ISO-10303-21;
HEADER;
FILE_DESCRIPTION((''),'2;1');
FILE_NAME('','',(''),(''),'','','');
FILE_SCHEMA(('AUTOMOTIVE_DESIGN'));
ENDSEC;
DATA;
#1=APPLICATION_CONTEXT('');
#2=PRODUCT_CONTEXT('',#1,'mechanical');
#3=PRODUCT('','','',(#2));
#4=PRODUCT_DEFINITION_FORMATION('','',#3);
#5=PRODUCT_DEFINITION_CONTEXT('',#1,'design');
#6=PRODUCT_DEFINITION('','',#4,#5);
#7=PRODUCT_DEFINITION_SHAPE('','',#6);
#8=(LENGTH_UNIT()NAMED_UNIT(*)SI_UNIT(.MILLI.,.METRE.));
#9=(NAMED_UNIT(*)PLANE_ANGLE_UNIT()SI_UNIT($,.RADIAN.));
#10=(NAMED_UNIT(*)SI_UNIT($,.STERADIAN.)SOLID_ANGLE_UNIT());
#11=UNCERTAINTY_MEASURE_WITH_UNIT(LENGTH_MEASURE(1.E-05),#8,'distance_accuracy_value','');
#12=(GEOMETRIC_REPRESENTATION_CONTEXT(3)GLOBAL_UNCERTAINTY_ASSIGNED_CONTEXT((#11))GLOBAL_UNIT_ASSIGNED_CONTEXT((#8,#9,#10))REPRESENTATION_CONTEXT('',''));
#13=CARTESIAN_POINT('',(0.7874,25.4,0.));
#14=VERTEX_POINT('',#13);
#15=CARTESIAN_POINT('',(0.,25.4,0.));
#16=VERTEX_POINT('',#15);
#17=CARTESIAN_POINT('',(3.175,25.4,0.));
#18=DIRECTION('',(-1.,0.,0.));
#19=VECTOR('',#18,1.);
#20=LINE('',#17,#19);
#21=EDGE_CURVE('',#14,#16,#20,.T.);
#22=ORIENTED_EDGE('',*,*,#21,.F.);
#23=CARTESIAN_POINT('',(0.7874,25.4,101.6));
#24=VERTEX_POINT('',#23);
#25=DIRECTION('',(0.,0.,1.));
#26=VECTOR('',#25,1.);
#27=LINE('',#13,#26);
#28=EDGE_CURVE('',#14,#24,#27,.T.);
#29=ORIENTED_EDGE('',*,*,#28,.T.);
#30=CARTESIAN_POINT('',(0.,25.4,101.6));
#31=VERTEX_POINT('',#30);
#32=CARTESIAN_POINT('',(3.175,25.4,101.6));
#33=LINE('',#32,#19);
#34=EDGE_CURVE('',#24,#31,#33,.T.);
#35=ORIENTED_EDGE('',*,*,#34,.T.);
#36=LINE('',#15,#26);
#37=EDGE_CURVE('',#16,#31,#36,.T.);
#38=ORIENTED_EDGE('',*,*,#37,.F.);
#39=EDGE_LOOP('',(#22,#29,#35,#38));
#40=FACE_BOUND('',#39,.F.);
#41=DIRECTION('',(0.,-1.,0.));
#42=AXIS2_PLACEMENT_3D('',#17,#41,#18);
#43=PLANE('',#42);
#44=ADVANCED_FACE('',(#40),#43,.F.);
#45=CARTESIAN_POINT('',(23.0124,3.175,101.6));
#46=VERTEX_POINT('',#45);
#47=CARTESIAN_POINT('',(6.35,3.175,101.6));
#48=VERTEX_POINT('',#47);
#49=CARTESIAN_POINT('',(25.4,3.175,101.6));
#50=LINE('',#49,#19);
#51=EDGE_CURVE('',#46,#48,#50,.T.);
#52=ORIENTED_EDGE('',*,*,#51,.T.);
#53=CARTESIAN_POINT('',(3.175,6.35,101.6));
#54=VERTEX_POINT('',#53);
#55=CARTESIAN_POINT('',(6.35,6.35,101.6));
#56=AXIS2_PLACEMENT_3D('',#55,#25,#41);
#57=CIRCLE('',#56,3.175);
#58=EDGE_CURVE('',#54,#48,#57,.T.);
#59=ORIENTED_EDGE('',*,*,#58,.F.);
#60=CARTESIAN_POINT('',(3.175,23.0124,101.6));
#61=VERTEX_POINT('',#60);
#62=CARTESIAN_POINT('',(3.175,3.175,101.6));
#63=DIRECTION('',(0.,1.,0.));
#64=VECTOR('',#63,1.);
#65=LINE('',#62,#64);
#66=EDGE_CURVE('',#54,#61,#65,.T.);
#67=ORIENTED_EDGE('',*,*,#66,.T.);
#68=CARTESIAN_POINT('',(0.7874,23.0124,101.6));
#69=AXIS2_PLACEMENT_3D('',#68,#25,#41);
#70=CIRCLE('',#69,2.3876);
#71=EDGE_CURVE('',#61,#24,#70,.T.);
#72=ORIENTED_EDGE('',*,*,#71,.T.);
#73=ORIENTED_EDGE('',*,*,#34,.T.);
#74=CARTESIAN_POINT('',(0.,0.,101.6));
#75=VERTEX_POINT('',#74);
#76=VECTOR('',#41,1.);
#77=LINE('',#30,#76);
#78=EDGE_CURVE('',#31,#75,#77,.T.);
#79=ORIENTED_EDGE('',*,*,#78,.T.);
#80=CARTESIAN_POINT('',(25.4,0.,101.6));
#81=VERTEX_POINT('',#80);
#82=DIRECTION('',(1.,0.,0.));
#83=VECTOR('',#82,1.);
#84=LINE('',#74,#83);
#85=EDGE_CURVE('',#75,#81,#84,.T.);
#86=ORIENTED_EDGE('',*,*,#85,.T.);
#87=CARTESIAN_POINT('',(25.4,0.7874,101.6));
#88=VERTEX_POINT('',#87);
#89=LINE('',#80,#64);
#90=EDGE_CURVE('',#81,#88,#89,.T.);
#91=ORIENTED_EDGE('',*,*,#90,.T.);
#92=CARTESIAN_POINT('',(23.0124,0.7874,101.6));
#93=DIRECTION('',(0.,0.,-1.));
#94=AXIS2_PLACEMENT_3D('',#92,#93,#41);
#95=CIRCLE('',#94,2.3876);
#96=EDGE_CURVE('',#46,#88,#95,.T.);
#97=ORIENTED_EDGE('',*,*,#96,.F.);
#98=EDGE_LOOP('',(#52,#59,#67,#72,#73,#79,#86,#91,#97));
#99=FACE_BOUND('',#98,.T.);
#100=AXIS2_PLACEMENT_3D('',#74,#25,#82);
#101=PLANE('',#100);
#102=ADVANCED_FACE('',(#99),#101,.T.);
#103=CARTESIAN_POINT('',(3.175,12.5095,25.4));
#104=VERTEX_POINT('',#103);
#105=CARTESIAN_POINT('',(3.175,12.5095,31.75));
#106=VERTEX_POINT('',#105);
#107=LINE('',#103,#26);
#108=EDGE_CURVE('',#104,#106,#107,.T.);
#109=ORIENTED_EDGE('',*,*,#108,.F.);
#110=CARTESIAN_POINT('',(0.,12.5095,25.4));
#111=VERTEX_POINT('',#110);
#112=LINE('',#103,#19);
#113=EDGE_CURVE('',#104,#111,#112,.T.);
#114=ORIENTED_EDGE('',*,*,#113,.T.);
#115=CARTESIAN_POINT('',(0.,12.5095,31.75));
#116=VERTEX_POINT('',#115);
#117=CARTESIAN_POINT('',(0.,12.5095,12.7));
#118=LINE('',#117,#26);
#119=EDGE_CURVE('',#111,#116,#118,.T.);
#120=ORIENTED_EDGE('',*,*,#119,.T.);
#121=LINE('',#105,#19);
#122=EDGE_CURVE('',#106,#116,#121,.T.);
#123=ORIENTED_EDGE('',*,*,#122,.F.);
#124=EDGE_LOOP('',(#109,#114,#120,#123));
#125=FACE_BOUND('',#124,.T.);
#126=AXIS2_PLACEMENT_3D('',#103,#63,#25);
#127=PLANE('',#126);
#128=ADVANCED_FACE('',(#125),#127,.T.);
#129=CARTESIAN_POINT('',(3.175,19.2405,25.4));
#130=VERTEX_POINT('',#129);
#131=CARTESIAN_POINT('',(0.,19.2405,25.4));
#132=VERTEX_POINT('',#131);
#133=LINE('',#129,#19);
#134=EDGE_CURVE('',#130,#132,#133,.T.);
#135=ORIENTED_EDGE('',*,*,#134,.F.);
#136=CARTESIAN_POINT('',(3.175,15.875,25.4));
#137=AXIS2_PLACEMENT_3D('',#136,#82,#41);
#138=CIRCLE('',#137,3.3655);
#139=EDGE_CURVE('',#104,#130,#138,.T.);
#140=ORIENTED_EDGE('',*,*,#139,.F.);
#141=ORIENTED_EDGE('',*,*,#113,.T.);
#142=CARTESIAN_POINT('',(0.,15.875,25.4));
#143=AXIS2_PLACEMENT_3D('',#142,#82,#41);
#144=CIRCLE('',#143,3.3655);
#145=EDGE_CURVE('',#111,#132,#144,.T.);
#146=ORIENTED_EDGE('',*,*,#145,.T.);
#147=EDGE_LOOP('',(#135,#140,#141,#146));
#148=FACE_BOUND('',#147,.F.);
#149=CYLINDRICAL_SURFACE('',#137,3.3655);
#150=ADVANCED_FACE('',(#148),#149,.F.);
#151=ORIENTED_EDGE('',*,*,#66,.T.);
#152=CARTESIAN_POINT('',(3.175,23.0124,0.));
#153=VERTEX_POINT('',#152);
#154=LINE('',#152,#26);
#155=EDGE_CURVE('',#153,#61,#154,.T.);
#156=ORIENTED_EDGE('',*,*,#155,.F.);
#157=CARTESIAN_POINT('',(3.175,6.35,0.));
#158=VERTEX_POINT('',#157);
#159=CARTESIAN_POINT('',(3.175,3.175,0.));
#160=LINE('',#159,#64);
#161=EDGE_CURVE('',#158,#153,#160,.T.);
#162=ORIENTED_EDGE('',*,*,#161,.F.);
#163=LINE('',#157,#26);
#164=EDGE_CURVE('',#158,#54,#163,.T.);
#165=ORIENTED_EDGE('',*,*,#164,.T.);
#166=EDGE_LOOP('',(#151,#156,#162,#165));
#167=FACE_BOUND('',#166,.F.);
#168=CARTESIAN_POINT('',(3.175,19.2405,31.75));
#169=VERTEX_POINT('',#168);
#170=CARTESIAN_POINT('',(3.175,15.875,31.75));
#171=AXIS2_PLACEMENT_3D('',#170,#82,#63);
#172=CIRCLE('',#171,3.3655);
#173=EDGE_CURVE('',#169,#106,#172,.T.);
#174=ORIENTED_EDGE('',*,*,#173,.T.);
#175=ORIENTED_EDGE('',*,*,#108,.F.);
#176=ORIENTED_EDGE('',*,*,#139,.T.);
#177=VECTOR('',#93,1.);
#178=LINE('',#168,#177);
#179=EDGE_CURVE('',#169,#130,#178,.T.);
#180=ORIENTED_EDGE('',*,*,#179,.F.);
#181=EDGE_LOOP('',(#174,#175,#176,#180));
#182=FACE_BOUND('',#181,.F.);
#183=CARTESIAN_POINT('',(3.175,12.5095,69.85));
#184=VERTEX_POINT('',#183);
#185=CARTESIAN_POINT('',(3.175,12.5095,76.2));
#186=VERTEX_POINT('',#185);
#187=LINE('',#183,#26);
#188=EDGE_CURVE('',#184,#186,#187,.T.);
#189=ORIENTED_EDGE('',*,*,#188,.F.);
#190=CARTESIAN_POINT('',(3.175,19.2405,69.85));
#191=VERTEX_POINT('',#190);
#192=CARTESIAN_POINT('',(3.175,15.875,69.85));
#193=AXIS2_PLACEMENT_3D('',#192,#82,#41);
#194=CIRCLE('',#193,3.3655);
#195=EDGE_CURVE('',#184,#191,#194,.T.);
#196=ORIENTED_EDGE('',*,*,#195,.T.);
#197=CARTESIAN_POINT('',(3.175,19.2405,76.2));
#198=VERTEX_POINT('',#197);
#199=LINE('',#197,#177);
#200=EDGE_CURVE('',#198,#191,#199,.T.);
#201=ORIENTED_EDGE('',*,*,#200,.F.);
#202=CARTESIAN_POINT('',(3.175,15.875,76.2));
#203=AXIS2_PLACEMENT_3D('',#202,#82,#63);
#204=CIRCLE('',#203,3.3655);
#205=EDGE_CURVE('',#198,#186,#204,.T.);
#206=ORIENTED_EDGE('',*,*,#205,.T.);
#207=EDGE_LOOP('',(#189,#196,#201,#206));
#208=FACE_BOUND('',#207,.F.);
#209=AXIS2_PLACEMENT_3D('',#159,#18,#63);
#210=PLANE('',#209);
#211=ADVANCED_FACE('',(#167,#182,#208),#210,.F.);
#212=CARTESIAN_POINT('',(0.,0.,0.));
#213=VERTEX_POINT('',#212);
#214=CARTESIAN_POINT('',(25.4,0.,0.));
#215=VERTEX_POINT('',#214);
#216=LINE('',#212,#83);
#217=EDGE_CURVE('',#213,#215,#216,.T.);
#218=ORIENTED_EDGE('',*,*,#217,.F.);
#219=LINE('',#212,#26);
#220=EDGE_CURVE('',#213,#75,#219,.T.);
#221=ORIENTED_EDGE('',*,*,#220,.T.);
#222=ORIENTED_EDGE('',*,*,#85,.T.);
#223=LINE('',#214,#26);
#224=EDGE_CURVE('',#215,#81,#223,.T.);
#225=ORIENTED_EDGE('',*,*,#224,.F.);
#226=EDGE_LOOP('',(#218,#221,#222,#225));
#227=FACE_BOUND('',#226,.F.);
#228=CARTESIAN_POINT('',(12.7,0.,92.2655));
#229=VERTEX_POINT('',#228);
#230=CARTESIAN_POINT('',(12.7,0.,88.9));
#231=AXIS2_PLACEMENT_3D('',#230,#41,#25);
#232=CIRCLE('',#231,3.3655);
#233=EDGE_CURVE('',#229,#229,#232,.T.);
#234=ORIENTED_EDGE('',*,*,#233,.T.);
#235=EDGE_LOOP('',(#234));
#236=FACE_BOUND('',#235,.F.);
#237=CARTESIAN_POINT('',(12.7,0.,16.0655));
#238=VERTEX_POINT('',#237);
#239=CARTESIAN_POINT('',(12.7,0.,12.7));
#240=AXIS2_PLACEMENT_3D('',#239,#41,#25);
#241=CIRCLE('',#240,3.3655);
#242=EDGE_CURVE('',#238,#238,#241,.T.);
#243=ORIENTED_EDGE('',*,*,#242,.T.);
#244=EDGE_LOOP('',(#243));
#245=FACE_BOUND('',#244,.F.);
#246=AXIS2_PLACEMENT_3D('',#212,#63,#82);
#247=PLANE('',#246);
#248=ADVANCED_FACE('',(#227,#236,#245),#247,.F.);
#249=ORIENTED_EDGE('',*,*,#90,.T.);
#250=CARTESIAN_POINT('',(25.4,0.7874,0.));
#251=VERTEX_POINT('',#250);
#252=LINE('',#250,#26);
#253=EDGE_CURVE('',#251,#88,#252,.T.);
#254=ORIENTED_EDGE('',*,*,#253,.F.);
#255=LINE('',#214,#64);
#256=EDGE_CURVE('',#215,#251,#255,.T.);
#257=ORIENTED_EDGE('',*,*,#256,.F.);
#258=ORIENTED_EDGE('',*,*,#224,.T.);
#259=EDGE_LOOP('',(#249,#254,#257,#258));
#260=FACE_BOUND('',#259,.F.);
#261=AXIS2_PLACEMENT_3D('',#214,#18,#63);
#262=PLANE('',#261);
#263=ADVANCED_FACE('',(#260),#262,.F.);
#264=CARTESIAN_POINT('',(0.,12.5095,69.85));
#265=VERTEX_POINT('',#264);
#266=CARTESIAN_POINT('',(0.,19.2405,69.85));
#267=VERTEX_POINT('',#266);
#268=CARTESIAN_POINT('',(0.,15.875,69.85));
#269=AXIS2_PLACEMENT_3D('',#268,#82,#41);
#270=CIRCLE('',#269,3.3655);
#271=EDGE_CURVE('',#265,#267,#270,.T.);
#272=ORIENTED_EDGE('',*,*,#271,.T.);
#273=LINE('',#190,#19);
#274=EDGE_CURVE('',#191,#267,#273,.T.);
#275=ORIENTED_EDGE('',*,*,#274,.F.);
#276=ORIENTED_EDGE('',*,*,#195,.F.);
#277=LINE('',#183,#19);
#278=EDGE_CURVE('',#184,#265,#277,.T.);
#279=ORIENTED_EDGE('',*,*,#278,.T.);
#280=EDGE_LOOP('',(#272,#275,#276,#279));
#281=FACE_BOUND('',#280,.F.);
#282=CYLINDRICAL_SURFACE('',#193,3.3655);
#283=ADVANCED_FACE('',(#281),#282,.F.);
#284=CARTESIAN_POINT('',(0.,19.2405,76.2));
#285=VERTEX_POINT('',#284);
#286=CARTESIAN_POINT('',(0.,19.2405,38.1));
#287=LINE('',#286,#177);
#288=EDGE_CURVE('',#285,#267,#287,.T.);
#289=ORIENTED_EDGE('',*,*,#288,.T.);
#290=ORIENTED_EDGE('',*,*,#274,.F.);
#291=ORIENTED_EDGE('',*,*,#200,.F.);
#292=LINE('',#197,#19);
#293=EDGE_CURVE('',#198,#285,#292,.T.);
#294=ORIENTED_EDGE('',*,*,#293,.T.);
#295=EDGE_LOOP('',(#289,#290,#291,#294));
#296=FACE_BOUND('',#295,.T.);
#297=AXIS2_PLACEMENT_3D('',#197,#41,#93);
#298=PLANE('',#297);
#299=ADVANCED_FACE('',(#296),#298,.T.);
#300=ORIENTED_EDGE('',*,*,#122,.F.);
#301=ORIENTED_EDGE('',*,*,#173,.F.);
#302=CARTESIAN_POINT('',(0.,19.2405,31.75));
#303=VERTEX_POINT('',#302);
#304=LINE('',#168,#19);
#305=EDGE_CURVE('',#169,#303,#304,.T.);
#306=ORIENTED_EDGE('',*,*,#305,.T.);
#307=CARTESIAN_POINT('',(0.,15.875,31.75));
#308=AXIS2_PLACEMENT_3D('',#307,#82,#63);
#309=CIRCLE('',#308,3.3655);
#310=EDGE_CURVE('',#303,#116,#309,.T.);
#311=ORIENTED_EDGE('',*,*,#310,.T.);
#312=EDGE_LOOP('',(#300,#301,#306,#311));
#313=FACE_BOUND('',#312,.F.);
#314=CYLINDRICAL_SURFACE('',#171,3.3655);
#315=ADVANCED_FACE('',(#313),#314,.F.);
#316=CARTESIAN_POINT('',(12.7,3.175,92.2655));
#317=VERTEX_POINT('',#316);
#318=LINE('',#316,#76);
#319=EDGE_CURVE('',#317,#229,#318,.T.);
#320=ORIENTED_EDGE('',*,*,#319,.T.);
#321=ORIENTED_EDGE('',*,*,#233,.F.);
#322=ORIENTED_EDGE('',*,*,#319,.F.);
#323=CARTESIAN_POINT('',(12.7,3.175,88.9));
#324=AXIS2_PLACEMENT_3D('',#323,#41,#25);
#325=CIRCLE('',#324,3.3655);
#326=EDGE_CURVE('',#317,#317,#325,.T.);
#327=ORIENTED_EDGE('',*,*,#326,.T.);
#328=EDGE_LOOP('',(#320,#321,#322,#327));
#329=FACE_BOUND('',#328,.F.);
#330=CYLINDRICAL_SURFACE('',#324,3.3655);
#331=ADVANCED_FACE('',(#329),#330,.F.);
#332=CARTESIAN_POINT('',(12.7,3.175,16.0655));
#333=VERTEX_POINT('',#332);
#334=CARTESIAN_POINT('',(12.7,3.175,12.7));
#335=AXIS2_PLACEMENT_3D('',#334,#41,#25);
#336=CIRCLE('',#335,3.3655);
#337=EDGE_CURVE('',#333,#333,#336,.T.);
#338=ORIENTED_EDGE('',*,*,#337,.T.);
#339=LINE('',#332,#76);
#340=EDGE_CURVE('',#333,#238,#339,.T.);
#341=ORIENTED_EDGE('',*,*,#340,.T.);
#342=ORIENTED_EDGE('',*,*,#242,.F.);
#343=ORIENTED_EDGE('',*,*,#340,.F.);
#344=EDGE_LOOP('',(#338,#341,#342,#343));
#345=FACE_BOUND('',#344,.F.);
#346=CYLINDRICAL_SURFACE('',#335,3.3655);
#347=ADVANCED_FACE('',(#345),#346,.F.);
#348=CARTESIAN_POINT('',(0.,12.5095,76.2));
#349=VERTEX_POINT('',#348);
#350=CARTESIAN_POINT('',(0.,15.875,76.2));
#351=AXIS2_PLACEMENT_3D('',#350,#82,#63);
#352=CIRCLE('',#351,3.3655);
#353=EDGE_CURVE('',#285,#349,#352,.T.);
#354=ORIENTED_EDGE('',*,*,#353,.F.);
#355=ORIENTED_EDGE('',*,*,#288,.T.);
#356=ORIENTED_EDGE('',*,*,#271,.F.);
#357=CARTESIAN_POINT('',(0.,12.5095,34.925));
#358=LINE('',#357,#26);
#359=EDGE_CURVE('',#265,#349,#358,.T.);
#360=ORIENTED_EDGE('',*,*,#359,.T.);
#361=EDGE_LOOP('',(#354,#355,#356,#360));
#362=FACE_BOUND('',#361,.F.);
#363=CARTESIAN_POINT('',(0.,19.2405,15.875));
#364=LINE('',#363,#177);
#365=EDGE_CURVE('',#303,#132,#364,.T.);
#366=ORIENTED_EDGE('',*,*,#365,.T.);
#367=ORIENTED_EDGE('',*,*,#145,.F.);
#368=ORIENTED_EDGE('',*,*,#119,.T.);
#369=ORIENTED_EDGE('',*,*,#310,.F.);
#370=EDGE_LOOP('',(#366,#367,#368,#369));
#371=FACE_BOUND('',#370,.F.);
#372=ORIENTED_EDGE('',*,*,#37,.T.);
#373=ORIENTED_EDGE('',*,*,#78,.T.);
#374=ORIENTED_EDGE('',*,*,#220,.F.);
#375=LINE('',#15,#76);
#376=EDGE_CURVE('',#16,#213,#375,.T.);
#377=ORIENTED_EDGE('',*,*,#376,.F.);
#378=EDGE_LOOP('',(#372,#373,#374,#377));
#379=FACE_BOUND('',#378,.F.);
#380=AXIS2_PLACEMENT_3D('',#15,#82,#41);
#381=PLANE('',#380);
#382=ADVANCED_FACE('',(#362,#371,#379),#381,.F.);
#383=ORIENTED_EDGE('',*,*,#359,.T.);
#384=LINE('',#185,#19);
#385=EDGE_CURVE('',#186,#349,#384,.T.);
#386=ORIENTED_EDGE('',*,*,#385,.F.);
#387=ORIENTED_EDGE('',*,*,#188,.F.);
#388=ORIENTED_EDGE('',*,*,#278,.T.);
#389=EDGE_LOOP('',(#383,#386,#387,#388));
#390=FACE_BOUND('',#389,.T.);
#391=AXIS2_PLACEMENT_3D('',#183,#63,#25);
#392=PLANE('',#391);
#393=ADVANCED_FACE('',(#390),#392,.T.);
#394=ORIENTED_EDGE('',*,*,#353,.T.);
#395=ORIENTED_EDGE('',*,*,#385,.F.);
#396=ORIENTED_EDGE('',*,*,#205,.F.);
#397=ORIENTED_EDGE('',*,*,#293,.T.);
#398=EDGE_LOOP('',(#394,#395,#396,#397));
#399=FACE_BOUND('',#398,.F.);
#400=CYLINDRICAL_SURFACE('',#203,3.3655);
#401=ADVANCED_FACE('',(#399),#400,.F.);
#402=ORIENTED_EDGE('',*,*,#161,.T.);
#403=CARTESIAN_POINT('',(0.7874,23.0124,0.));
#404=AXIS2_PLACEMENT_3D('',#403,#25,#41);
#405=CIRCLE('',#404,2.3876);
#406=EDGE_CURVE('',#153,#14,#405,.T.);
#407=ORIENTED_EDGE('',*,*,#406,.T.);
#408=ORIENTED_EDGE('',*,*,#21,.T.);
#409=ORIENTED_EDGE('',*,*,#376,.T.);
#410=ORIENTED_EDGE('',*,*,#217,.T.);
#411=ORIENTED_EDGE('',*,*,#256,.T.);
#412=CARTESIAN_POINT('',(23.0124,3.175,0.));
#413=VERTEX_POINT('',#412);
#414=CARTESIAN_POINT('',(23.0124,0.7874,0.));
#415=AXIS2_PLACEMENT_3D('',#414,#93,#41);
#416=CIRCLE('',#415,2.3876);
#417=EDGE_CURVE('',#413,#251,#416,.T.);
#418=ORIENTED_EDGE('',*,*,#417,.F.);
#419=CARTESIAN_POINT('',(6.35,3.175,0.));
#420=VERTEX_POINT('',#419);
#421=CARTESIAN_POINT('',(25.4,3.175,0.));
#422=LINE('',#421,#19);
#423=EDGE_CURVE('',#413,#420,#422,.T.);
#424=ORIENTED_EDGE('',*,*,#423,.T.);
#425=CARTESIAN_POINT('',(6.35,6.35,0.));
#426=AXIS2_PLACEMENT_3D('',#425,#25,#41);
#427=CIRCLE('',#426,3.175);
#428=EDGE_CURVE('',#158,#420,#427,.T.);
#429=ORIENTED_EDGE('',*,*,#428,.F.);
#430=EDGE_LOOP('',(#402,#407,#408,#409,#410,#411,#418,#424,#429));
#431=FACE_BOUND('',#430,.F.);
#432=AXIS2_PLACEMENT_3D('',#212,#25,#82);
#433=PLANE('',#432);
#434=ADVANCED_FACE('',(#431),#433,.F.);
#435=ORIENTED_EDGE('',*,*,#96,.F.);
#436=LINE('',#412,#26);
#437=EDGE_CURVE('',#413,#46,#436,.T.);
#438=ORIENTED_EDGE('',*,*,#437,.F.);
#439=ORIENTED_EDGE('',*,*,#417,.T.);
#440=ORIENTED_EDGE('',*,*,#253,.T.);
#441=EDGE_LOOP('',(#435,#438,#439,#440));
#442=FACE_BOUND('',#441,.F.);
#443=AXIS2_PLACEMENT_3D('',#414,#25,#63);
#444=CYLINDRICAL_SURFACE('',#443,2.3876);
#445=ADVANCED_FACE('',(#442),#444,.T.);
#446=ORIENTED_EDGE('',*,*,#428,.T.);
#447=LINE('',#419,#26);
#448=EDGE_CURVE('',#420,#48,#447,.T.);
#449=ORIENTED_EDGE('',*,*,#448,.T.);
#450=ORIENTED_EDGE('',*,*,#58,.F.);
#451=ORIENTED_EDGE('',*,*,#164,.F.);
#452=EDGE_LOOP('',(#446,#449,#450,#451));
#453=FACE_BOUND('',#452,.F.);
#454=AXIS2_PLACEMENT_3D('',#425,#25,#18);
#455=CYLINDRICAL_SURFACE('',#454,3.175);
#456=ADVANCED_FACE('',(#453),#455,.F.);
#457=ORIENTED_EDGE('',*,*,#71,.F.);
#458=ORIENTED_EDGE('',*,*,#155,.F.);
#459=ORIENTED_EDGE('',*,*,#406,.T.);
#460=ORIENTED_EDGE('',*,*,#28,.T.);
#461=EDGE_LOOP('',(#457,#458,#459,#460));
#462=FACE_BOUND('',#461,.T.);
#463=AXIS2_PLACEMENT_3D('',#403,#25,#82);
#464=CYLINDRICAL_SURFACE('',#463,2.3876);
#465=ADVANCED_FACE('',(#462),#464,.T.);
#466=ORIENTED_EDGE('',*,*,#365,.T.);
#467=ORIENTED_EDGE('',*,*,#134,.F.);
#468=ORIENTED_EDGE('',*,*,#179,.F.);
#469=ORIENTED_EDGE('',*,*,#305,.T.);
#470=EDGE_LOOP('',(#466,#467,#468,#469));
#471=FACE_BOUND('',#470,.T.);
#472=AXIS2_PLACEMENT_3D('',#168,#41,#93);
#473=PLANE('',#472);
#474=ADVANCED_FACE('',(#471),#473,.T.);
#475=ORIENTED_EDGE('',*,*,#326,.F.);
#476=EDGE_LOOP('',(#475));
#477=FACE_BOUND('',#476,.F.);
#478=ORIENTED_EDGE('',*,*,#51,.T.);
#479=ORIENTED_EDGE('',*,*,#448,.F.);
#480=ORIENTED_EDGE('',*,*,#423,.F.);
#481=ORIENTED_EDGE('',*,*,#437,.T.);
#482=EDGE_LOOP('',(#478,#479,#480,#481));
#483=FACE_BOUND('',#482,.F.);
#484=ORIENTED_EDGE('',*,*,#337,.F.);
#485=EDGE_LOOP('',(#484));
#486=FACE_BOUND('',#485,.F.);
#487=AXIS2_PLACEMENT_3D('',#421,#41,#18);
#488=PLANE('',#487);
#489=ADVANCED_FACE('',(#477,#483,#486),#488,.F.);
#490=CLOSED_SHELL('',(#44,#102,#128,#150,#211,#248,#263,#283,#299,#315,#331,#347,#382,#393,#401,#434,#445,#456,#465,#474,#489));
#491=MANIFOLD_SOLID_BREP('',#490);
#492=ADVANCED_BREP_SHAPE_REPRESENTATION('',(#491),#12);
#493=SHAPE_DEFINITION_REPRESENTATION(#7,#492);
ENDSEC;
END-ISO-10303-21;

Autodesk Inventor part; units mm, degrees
ref_plane "YZ Plane" through (0, 0, 0) normal (1, 0, 0) x (0, 1, 0)
ref_plane "XZ Plane" through (0, 0, 0) normal (0, 1, 0) x (-1, 0, 0)
ref_plane "XY Plane" through (0, 0, 0) normal (0, 0, 1) x (1, 0, 0)
sketch "Sketch1" plane through (0, 0, 0) normal (0, 0, 1) x (1, 0, 0)
  line L0 (0, 25.4) -> (0, 0)
  line L1 (0, 0) -> (25.4, 0)
  line L2 (25.4, 0) -> (25.4, 3.175)
  line L3 (25.4, 3.175) -> (3.175, 3.175)
  line L4 (3.175, 3.175) -> (3.175, 25.4)
  line L5 (3.175, 25.4) -> (0, 25.4)
  dimension "d0" = 25.4
  dimension "d1" = 25.4
  dimension "d2" = 3.175
  dimension "d3" = 3.175
extrude "Extrusion1" add sketch "Sketch1" along normal blind 101.6
fillet "Fillet1" radius 3.175 1 edges at (3.175, 3.175, 50.8)
hole "Hole1" at (12.7, 3.175, 88.9) direction (0, -1, 0) diameter 6.731 end through all
pattern_linear "Rectangular Pattern1" count 2 spacing 76.2 along (0, 0, -1) of "Hole1"
fillet "Fillet3" radius 2.3876 2 edges at (3.175, 25.4, 50.8) (25.4, 3.175, 50.8)
sketch "Sketch2" plane through (3.175, 6.35, 101.6) normal (1, 0, 0) x (0, 0, -1)
  line L0 (0, 16.6624) -> (0, 0) projected
  line L1 (101.6, 16.6624) -> (101.6, 0) projected
  arc A0 (25.4, 12.8905) -> (25.4, 6.1595) centre (25.4, 9.525) ccw
  arc A1 (31.75, 6.1595) -> (31.75, 12.8905) centre (31.75, 9.525) ccw
  arc A2 (69.85, 12.8905) -> (69.85, 6.1595) centre (69.85, 9.525) ccw
  arc A3 (76.2, 6.1595) -> (76.2, 12.8905) centre (76.2, 9.525) ccw
  line L2 (25.4, 12.8905) -> (31.75, 12.8905)
  line L3 (31.75, 6.1595) -> (25.4, 6.1595)
  line L4 (69.85, 12.8905) -> (76.2, 12.8905)
  line L5 (76.2, 6.1595) -> (69.85, 6.1595)
  line L6 (101.6, -6.35) -> (0, -6.35) projected
  dimension "d21" = 6.731
  dimension "d22" = 6.35
  dimension "d23" = 6.35
  dimension "d24" = 15.875
  dimension "d25" = 15.875
  dimension "d26" = 25.4
  dimension "d27" = 25.4
extrude "Extrusion2" cut sketch "Sketch2" against normal blind 25.4
properties part number "GE-12102"
